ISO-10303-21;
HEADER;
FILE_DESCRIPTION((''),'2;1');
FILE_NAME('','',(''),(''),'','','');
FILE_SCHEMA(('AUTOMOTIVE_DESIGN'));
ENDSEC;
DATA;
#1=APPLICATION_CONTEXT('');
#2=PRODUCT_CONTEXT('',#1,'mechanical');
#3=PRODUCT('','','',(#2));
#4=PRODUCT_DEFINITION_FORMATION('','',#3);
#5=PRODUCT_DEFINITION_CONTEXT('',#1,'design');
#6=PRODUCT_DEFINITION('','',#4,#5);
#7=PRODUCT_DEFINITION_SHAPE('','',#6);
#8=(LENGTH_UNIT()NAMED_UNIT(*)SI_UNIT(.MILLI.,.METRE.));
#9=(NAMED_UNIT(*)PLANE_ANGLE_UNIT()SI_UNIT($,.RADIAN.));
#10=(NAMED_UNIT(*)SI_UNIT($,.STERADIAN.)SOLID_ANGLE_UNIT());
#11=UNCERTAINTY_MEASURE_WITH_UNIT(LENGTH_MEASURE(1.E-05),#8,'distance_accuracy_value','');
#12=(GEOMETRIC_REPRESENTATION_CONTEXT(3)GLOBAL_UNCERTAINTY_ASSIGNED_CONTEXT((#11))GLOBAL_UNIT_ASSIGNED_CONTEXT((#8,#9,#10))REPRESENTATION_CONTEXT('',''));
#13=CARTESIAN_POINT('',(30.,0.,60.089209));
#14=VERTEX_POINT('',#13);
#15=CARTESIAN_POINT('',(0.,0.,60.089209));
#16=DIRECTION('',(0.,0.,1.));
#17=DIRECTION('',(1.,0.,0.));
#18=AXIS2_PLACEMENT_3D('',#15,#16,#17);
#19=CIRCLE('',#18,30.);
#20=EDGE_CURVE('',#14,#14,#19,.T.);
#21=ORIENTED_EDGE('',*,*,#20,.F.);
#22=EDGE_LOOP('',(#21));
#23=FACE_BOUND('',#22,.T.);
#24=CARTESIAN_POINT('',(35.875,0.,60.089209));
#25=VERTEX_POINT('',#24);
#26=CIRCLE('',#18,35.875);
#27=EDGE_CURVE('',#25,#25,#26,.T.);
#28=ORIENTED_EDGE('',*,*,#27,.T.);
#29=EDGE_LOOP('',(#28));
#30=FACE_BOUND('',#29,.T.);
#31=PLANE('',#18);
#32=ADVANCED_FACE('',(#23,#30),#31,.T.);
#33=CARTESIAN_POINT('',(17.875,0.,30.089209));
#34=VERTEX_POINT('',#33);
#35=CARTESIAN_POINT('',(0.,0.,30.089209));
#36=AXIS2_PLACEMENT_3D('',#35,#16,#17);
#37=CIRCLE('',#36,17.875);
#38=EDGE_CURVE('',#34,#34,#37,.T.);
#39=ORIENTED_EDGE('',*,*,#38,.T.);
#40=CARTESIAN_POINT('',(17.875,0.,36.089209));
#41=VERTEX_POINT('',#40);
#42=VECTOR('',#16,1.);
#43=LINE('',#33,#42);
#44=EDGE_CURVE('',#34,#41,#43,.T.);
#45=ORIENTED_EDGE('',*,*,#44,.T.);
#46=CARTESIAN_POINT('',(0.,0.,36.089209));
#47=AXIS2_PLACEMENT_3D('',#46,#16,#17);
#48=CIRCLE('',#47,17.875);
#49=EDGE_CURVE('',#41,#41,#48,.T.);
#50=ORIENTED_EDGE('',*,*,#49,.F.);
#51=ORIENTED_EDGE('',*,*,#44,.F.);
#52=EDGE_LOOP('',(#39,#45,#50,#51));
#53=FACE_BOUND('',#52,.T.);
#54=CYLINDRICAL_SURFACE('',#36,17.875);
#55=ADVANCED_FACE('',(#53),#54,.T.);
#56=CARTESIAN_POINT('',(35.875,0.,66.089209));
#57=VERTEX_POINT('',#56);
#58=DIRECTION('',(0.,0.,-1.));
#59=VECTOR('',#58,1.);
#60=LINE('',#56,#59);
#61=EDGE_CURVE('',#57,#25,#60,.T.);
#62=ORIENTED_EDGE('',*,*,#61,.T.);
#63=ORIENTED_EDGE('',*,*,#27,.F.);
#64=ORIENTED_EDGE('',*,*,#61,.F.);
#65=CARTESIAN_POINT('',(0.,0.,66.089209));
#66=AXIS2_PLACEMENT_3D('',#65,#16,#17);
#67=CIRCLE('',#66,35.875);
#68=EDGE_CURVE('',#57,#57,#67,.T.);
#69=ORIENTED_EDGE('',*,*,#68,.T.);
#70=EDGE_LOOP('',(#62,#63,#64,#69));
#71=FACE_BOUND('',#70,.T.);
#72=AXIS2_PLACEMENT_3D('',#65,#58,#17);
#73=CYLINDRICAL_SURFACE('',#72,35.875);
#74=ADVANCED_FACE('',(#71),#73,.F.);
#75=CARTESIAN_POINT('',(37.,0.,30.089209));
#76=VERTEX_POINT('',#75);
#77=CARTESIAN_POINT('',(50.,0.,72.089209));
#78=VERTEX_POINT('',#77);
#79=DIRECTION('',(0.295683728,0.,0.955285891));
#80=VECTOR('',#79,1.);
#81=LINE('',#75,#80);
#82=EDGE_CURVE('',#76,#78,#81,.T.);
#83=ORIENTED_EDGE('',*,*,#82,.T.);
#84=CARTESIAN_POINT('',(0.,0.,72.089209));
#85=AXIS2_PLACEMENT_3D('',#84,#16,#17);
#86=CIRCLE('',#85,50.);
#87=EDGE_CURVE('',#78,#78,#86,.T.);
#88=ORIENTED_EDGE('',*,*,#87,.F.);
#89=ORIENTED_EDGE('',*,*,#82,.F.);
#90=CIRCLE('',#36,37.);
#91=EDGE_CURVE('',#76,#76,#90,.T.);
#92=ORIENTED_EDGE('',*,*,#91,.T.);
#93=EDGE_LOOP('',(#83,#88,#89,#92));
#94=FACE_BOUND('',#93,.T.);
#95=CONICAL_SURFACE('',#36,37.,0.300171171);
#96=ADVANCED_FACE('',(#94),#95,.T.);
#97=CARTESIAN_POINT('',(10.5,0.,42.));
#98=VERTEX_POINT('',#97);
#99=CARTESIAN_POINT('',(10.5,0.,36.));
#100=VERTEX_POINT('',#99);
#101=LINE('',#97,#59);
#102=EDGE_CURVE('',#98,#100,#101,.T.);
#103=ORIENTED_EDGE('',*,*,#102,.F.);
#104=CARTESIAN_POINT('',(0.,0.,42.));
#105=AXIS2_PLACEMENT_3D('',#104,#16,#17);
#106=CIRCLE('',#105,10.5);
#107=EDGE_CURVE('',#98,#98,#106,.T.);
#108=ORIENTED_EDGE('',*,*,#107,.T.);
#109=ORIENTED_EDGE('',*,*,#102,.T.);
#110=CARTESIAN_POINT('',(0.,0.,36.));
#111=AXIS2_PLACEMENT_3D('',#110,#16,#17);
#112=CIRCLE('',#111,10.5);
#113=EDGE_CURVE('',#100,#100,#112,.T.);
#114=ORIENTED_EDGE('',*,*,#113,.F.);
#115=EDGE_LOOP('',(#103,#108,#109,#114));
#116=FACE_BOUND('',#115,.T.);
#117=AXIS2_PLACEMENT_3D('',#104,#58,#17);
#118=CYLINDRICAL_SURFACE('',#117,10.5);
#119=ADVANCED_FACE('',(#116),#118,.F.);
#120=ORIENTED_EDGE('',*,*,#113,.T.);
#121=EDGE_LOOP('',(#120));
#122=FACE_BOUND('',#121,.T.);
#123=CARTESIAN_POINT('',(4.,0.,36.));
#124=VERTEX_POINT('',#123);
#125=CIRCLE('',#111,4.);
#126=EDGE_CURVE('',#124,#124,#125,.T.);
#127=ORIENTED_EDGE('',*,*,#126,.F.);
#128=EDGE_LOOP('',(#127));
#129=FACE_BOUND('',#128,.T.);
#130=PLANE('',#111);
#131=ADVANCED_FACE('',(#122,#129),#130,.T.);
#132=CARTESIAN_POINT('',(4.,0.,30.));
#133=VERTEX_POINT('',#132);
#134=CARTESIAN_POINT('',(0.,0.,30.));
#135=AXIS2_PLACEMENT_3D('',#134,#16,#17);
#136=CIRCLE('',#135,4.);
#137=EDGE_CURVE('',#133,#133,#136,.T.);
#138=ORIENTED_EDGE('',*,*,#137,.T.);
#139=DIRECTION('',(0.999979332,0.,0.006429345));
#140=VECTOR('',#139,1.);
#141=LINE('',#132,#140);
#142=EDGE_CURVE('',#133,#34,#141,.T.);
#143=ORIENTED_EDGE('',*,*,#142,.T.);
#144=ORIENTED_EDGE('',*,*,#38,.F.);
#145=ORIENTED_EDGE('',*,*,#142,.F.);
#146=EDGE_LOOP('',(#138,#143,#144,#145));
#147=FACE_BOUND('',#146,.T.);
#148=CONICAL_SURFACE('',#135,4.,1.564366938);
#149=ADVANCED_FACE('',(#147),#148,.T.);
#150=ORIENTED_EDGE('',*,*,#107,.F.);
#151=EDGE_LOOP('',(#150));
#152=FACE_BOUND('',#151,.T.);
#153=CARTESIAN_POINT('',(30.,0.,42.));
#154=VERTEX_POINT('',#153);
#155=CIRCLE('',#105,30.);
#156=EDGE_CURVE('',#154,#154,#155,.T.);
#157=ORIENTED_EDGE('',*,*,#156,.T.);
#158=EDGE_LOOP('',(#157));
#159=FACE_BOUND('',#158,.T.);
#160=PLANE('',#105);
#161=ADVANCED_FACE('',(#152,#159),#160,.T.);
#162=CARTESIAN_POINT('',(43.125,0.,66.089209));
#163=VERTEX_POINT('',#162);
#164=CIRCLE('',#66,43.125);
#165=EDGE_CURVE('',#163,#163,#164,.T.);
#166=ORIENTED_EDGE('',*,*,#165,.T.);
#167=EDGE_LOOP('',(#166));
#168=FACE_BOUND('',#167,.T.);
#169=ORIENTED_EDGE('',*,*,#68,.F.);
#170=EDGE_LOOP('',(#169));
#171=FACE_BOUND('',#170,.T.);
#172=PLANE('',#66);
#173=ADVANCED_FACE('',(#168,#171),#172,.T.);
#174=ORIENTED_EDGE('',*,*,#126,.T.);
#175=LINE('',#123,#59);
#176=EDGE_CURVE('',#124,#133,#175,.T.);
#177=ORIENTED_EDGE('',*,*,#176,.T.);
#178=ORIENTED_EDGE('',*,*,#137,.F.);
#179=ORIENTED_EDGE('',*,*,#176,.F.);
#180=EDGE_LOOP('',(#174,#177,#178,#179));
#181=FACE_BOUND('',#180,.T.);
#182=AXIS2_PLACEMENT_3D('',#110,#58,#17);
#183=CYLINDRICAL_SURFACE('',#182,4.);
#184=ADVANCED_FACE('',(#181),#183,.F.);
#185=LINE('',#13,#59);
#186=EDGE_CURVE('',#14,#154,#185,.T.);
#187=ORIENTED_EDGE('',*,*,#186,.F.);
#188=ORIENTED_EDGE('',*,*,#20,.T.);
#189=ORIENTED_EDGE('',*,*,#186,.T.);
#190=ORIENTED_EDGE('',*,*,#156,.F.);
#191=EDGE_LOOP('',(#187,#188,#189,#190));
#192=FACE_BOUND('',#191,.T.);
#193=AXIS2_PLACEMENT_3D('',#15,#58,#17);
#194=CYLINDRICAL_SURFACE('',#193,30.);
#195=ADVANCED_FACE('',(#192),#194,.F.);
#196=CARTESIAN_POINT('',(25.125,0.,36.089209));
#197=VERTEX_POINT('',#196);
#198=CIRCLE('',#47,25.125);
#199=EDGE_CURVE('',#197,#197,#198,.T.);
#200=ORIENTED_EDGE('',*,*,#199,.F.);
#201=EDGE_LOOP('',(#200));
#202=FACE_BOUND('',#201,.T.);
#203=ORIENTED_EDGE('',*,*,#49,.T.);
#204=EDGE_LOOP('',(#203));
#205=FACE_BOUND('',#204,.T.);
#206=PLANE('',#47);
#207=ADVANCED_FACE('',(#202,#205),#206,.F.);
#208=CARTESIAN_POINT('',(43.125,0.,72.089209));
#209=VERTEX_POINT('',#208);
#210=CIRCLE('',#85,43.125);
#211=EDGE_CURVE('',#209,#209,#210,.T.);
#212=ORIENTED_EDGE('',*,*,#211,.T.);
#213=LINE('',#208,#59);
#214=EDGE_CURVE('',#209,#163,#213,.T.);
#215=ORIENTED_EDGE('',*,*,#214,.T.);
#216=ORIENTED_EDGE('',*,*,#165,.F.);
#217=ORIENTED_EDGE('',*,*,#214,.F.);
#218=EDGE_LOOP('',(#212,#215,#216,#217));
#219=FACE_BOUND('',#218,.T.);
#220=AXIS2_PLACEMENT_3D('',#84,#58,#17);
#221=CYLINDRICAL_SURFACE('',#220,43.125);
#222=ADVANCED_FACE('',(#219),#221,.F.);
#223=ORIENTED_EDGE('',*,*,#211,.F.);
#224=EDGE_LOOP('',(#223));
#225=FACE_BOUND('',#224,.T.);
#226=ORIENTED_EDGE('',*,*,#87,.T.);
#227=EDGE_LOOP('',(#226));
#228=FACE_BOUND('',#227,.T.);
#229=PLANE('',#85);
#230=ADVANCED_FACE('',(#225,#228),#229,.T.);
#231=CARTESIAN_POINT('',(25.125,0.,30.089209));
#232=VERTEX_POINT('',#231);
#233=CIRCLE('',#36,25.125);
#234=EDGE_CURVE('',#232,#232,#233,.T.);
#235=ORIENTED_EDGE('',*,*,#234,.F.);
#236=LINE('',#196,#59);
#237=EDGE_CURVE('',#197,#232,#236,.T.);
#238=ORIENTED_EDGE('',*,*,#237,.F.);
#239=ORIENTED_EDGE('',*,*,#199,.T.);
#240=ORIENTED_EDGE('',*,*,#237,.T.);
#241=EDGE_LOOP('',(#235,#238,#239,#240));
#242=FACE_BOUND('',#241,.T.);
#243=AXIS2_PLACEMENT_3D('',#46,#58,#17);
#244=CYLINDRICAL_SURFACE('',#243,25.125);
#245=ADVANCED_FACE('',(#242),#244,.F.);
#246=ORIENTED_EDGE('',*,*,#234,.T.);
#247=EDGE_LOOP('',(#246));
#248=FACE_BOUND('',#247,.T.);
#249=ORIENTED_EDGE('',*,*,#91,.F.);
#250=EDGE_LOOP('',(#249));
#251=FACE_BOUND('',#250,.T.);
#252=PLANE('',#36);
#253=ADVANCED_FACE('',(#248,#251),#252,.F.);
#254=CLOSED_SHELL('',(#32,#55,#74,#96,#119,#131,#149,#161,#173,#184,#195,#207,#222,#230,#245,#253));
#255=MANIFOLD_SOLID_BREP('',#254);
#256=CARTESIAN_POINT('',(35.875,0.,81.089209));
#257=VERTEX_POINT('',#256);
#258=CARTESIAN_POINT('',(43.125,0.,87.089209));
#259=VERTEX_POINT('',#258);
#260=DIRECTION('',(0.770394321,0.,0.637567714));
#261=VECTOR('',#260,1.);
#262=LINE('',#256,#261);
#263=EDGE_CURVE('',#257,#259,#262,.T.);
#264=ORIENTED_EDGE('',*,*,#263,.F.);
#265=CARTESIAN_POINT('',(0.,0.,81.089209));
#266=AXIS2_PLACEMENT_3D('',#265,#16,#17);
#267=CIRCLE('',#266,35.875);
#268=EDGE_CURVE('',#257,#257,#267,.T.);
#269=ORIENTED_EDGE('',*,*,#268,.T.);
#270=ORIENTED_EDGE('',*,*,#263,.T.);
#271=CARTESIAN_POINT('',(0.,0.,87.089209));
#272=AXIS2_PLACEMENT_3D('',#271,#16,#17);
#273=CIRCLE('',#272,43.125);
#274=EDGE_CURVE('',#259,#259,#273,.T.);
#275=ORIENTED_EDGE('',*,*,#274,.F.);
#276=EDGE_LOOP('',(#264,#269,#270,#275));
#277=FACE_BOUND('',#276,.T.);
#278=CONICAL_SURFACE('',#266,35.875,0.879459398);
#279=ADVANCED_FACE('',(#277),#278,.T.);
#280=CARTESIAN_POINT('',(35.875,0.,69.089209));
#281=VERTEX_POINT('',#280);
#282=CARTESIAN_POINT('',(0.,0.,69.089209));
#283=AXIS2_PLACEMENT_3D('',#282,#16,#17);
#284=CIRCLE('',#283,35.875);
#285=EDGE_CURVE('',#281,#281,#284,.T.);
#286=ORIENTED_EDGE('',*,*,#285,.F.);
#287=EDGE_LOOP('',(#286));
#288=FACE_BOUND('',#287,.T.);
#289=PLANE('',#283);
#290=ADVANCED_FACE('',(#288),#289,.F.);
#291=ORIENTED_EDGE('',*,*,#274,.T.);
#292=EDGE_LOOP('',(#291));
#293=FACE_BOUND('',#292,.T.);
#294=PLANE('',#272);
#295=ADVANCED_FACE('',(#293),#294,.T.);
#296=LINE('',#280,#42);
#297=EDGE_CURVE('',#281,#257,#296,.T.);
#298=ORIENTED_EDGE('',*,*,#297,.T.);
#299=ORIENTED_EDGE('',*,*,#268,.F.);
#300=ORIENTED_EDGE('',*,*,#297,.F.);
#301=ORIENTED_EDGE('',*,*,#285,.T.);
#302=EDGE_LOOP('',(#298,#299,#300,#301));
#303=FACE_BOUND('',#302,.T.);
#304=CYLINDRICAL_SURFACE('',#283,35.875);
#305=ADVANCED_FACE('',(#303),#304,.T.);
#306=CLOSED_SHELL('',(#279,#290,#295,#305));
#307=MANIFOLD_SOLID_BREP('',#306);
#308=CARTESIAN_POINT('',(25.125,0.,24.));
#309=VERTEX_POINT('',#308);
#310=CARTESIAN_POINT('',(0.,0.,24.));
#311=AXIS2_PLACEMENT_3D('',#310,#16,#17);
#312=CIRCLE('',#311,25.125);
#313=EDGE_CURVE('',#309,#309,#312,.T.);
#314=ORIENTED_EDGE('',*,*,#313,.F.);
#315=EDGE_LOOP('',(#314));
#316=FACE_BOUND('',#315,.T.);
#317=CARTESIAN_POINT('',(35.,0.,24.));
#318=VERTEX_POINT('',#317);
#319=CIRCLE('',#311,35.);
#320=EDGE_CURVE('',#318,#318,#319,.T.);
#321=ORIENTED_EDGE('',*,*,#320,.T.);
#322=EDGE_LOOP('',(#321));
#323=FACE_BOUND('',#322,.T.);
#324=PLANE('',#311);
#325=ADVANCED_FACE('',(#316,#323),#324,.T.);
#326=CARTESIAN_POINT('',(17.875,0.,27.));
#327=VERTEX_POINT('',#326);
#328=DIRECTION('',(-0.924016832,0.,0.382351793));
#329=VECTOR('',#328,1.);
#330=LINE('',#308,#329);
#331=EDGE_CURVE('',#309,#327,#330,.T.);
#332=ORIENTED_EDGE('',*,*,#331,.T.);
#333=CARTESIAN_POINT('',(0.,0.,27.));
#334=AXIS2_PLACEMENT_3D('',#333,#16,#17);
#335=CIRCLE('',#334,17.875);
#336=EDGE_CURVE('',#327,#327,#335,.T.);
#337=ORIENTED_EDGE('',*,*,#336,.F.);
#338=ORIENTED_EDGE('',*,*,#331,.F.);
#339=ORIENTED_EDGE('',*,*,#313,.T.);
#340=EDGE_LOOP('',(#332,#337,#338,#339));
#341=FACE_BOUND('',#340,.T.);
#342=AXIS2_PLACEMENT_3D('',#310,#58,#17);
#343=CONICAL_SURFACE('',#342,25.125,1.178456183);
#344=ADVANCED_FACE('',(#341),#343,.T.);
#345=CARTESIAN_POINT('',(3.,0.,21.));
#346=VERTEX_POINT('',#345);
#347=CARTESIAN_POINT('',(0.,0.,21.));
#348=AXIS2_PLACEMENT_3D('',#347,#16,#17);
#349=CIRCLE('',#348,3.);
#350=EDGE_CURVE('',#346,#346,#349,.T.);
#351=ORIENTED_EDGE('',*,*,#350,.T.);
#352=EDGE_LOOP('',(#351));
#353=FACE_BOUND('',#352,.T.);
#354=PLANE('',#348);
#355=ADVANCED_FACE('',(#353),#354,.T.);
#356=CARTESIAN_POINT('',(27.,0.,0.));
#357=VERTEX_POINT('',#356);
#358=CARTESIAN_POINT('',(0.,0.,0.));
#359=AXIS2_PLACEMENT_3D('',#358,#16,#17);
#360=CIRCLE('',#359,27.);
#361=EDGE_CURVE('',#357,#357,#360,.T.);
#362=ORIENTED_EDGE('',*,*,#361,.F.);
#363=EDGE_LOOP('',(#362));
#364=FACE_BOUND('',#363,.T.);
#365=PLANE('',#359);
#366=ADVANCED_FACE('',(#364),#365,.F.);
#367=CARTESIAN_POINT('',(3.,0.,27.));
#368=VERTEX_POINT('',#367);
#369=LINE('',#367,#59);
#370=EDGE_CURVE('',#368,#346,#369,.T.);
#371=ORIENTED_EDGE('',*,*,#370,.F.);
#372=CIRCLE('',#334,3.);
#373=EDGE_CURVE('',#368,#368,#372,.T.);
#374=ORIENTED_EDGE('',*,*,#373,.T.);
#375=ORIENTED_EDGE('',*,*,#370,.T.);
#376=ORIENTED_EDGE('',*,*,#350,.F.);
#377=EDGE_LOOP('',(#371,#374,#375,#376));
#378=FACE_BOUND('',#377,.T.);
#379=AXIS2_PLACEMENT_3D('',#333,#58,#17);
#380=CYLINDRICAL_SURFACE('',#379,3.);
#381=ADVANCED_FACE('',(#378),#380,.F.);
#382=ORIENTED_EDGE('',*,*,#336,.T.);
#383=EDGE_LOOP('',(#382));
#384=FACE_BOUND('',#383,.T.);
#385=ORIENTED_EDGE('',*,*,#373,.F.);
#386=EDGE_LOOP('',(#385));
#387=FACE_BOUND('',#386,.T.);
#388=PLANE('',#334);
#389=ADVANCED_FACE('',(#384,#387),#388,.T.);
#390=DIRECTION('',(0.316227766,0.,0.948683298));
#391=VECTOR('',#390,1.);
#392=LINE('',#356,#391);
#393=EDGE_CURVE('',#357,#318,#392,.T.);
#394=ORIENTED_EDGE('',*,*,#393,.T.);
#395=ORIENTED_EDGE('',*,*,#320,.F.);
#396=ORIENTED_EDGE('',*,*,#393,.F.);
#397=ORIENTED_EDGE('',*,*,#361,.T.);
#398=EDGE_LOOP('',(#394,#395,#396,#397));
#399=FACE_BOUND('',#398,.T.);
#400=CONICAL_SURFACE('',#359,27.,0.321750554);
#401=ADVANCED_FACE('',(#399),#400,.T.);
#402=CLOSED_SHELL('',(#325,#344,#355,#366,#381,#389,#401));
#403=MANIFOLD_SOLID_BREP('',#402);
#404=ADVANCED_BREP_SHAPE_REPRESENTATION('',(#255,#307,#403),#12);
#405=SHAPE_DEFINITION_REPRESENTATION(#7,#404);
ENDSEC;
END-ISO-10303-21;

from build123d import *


with BuildPart() as f1:
    # F0 (on Front) → F1 (revolve)
    with BuildSketch(Plane.XZ):
        Polygon((0, 21), (0, 0), (27, 0), (35, 24), (25.125, 24), (17.875, 27), (3, 27), (3, 21), align=None)
        Polygon((4, 30), (17.875, 30.089209), (17.875, 36.089209), (25.125, 36.089209), (25.125, 30.089209), (37, 30.089209), (50, 72.089209), (43.125, 72.089209), (43.125, 66.089209), (35.875, 66.089209), (35.875, 60.089209), (30, 60.089209), (30, 42), (10.5, 42), (10.5, 36), (4, 36), align=None)
        Polygon((0, 69.089209), (35.875, 69.089209), (35.875, 81.089209), (43.125, 87.089209), (0, 87.089209), align=None)
    revolve(axis=Axis((0, 0, 78.089209), (0, 0, 1)))


solid = f1.part
